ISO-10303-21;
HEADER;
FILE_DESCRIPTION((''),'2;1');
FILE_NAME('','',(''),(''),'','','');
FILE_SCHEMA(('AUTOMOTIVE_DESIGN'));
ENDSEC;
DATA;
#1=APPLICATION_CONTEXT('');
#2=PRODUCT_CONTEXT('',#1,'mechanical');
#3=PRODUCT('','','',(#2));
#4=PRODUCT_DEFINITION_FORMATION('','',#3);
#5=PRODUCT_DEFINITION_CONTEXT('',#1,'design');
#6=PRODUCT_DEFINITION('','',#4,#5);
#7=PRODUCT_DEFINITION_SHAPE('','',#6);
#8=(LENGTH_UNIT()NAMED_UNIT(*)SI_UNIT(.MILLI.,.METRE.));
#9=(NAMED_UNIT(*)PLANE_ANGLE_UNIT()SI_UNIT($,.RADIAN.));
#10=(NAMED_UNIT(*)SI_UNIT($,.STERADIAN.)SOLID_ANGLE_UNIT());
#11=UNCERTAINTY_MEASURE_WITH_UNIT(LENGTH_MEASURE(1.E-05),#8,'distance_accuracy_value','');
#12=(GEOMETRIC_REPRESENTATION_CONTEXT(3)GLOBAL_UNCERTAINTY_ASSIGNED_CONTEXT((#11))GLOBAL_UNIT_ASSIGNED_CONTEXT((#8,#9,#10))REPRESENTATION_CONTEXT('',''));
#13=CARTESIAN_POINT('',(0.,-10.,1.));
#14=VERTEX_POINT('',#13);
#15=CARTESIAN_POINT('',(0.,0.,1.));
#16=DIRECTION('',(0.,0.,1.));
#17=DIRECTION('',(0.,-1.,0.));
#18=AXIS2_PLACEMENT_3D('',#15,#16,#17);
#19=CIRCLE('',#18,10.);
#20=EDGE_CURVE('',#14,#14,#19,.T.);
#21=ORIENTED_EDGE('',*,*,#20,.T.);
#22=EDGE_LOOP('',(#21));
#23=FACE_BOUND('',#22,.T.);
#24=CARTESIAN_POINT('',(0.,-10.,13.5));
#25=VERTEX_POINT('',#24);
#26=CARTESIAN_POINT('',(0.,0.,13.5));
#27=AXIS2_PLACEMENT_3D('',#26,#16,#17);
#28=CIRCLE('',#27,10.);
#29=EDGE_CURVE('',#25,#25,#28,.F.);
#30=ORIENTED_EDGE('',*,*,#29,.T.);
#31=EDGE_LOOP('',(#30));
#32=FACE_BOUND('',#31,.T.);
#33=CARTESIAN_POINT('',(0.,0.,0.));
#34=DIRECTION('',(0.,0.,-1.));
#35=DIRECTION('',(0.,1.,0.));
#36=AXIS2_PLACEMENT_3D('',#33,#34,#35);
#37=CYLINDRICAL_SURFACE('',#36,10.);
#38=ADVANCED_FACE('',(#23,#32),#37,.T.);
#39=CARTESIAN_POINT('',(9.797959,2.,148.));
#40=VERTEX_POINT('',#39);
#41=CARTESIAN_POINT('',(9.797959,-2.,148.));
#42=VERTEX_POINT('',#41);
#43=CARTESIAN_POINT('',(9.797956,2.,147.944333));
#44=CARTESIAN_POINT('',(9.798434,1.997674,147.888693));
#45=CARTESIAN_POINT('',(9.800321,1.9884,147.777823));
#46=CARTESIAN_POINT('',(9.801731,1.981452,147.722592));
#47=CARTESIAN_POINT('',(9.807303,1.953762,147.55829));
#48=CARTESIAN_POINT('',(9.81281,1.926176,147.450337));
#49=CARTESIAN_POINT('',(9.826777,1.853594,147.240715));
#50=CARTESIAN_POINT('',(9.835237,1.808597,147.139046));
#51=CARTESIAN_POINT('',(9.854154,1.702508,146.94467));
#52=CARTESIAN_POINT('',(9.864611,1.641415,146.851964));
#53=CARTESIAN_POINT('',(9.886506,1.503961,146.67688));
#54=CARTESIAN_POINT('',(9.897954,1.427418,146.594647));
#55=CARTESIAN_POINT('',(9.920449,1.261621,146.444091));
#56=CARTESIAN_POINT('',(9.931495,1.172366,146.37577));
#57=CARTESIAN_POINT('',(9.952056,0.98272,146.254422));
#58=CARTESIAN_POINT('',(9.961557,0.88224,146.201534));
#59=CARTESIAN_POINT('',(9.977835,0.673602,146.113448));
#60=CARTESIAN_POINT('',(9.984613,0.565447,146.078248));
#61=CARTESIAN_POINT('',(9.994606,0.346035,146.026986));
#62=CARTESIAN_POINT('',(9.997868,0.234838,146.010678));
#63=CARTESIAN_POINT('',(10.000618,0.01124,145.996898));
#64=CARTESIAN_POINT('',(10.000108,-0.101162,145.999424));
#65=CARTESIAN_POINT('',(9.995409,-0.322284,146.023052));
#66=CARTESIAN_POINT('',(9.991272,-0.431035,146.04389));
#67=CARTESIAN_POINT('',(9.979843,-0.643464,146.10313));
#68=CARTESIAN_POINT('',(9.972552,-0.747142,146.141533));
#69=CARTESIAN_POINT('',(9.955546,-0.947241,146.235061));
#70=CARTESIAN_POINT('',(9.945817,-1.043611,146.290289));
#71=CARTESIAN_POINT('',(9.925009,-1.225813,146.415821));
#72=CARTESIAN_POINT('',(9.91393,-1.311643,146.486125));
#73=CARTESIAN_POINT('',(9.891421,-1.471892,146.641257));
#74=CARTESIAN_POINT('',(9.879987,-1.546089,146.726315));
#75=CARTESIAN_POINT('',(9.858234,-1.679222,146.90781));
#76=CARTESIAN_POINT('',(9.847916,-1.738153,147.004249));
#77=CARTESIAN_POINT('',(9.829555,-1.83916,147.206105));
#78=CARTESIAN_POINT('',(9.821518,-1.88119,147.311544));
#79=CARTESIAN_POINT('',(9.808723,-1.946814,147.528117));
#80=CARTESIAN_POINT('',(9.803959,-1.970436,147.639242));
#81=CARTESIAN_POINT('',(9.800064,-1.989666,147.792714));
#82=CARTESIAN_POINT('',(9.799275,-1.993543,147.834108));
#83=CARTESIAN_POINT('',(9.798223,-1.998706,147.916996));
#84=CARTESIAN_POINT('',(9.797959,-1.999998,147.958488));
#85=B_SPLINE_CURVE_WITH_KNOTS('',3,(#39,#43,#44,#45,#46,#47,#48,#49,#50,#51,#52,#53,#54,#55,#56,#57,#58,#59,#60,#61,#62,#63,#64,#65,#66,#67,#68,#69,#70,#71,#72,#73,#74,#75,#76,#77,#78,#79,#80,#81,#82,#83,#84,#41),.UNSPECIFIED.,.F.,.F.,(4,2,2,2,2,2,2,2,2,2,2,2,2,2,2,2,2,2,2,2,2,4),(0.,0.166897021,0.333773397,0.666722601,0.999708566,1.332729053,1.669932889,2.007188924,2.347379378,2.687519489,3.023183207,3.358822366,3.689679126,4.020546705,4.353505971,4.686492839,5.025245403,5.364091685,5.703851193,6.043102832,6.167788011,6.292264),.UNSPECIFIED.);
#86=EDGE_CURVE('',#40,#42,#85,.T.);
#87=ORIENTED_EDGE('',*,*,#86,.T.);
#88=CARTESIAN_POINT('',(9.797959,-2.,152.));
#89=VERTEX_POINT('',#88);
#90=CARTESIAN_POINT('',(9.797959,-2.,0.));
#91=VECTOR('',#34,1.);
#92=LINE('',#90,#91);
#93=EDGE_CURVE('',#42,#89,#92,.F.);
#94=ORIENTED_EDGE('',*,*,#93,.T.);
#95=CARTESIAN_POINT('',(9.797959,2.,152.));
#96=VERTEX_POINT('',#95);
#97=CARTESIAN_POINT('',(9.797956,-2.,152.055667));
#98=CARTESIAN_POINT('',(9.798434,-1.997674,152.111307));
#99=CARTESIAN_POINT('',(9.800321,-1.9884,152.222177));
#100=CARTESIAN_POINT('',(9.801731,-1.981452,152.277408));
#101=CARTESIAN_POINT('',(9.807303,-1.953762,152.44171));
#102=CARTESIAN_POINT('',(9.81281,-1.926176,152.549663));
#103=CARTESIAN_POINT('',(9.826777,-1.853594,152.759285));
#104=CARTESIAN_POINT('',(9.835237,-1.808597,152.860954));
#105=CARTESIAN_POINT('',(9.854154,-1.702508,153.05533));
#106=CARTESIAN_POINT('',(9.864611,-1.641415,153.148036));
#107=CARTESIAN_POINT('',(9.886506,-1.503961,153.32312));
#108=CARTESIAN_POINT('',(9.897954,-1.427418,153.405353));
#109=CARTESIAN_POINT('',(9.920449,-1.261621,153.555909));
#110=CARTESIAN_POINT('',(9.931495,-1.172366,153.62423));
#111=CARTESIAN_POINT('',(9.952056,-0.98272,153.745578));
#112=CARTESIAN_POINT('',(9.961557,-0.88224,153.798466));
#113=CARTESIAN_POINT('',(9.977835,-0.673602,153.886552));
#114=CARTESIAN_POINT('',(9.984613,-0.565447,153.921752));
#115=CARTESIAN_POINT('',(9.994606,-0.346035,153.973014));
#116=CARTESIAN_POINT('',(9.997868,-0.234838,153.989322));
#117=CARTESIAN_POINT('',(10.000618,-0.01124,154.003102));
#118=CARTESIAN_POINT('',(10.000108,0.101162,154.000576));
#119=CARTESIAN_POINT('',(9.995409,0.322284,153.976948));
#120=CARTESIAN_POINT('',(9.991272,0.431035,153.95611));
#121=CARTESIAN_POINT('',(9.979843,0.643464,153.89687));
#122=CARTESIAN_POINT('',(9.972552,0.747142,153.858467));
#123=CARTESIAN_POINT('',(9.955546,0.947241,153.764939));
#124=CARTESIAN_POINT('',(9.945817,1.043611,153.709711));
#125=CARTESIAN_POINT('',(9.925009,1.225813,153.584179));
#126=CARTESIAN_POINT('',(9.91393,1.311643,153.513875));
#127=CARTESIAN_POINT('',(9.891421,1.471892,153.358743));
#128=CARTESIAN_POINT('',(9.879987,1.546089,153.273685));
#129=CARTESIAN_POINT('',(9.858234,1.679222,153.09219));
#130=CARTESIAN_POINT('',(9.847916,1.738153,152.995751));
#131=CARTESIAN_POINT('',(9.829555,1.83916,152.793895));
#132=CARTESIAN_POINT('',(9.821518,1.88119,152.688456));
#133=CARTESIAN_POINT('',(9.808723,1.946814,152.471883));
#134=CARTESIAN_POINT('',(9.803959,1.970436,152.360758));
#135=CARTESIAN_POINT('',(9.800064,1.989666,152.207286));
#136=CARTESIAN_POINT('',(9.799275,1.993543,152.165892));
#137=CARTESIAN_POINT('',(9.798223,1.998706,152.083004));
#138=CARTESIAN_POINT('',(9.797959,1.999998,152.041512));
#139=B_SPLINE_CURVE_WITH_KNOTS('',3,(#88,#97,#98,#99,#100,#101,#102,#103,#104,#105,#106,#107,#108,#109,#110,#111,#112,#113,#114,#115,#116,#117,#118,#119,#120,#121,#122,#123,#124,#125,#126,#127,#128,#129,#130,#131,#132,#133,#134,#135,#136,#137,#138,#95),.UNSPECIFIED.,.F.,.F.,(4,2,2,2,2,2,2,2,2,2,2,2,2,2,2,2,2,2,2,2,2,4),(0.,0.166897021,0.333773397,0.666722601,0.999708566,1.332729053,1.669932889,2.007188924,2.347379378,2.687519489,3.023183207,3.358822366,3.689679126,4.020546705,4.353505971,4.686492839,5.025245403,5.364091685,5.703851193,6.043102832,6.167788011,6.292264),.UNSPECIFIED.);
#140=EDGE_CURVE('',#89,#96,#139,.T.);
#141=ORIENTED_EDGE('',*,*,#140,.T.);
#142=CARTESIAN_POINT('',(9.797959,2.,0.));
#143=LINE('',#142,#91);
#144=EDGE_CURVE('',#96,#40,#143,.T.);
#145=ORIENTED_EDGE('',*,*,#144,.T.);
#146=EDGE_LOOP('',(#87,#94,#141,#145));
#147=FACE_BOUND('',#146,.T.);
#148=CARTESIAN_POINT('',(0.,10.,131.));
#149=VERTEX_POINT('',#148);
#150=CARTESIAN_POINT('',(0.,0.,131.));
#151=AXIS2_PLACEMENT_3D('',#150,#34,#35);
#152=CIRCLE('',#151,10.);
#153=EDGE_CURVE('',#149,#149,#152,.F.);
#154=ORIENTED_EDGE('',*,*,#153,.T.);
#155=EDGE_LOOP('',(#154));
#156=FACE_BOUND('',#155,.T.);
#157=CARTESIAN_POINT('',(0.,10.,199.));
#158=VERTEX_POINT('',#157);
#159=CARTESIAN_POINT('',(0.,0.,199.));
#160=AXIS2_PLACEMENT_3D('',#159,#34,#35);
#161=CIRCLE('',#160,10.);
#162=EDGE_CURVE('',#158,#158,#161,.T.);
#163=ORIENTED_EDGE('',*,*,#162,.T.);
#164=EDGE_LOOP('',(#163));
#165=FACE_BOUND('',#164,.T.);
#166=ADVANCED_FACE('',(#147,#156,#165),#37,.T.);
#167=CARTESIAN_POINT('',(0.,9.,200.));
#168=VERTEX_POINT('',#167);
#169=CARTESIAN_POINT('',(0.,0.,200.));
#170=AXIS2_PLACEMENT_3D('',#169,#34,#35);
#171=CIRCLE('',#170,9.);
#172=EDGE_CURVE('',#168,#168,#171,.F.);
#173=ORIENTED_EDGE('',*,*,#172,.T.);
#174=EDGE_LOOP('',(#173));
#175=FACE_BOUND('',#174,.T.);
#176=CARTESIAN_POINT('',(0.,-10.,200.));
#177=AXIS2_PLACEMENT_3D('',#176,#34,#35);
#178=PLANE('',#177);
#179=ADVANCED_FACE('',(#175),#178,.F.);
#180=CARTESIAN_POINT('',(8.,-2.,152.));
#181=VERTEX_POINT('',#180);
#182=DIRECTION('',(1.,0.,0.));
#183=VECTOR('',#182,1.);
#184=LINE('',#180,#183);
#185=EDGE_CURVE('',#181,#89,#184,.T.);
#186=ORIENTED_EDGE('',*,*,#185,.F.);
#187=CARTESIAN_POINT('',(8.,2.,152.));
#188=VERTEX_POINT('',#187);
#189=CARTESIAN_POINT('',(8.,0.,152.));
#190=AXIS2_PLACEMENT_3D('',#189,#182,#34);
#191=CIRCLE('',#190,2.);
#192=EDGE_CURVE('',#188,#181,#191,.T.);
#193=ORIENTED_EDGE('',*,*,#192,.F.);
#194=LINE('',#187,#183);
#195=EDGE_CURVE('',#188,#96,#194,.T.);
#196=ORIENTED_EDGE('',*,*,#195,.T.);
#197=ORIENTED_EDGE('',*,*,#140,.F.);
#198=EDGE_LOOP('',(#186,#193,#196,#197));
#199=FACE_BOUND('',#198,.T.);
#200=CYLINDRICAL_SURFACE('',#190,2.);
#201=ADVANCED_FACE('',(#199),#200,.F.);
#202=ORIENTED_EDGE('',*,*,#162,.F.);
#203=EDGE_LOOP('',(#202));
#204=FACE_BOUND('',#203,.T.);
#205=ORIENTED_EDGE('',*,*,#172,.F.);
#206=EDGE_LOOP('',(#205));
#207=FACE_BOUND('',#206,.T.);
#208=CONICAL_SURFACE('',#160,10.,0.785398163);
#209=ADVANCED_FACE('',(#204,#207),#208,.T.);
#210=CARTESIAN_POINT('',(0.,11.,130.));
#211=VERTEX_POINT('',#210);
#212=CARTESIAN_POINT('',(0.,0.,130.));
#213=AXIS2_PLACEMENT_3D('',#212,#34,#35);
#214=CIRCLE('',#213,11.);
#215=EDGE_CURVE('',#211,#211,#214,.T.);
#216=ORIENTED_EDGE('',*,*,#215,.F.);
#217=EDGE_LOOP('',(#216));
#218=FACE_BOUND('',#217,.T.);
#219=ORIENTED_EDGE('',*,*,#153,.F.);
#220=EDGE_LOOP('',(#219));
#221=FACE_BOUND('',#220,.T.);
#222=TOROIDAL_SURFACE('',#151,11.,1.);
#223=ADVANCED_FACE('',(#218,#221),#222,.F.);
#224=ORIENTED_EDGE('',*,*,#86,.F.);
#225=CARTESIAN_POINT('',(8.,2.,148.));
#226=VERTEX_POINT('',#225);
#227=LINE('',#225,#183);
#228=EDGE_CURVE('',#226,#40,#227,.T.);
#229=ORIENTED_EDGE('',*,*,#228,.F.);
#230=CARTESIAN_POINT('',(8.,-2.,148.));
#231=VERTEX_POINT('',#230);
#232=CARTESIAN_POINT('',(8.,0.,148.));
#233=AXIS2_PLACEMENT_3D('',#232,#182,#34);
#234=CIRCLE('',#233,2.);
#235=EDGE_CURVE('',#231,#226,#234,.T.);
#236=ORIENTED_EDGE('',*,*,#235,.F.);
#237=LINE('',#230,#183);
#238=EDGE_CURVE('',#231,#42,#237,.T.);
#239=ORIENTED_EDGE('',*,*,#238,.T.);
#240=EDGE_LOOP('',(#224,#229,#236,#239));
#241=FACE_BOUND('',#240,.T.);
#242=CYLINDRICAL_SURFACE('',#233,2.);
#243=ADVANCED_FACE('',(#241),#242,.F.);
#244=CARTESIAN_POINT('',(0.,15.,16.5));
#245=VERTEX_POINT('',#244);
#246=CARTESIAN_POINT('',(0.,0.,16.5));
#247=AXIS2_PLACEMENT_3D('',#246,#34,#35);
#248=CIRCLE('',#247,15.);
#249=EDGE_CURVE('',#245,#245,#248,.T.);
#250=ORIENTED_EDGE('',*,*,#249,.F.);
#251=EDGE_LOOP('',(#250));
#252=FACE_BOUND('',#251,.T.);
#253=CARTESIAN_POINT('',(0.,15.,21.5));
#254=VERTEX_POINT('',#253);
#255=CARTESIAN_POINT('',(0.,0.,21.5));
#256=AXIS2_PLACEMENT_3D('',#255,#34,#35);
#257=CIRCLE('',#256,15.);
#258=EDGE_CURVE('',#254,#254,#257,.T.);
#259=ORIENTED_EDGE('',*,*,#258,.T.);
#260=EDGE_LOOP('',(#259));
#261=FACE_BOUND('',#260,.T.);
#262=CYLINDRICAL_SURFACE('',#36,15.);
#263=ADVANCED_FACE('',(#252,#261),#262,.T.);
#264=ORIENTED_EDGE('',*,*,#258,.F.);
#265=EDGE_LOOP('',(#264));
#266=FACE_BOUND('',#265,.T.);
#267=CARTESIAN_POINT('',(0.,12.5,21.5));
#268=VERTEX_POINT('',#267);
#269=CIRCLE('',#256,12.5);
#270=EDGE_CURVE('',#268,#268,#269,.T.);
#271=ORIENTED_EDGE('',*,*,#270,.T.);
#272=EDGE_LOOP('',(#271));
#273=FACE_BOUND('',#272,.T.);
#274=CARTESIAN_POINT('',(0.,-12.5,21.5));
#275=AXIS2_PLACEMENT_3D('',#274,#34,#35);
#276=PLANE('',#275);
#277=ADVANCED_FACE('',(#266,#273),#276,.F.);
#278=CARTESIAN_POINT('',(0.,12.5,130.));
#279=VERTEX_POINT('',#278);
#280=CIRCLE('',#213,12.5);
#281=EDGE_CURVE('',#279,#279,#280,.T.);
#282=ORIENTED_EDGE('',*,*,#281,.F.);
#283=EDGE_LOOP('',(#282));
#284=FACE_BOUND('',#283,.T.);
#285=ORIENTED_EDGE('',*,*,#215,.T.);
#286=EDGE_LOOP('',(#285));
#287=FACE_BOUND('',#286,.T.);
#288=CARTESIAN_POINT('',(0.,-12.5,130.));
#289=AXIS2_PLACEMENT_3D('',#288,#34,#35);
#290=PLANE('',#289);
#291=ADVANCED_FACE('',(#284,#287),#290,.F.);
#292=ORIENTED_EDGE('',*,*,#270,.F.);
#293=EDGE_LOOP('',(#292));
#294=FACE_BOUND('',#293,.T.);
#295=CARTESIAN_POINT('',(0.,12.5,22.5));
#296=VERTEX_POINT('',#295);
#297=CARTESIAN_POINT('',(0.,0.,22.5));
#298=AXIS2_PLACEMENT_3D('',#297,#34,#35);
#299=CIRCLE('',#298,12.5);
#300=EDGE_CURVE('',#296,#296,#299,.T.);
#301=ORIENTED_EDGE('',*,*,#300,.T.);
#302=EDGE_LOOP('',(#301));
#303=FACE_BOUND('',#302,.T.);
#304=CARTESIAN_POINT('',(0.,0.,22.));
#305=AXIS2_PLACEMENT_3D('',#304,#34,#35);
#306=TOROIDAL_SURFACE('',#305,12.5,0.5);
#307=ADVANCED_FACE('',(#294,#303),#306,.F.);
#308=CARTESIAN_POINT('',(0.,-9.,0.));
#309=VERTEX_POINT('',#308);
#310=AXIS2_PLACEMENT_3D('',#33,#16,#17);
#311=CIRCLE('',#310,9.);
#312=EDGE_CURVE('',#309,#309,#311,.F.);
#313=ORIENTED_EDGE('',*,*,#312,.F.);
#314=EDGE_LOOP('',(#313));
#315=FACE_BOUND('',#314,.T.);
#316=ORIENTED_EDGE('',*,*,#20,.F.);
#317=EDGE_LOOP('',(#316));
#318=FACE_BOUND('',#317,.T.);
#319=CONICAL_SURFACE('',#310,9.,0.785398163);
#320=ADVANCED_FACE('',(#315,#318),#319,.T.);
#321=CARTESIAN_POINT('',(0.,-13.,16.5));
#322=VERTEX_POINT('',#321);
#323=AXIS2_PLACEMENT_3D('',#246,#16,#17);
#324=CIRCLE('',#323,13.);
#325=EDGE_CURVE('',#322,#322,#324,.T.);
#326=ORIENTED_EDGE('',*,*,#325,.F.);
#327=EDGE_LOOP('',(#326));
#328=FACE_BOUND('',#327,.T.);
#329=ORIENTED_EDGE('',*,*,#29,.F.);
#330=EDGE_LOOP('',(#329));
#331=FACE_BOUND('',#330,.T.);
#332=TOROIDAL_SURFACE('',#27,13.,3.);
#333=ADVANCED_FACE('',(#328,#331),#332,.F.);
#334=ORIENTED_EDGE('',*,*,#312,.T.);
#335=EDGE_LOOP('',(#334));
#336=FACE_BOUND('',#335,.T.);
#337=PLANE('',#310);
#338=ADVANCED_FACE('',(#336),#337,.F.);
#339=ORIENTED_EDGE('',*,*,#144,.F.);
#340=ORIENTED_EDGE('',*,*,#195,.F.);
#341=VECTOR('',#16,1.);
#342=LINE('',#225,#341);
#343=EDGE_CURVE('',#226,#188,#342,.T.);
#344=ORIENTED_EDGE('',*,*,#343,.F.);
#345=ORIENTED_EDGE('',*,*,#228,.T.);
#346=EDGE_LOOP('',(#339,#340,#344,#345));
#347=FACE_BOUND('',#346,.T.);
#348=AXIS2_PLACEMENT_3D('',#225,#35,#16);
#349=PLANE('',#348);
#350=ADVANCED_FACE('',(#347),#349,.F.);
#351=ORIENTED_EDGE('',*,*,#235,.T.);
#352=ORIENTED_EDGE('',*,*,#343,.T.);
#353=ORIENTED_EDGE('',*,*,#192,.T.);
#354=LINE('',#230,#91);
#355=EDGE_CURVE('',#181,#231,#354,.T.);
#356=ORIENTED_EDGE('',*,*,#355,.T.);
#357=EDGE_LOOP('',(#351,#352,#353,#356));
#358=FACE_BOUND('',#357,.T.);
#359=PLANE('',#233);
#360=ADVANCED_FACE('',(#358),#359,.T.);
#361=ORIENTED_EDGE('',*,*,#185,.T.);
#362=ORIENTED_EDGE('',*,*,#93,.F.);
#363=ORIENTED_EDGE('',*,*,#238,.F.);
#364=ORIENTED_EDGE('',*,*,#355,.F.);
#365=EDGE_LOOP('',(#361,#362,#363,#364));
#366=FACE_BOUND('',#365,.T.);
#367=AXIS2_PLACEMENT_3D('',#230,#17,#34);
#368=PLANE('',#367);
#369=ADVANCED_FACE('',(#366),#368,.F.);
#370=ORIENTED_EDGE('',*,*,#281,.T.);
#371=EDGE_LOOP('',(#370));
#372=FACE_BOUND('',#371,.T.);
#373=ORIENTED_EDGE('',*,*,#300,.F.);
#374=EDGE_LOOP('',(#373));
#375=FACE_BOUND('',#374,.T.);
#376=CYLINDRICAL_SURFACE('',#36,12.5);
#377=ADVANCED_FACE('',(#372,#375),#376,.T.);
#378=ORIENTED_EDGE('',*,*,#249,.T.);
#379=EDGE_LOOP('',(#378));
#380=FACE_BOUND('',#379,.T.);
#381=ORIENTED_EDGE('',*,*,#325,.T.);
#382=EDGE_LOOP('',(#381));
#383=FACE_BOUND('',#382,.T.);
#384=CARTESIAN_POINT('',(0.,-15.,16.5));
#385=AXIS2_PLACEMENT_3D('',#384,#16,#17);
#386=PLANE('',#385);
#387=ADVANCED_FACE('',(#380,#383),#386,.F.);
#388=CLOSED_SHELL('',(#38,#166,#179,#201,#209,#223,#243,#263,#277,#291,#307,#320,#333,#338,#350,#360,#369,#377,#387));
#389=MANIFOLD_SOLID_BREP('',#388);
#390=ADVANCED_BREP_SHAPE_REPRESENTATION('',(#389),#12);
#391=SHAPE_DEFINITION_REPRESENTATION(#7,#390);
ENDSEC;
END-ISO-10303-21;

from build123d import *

# Parameters (mm, degrees)
FILLET1_R          = 1
FILLET2_R          = 3
CHAMFER1_SIZE      = 1
CUT_EXTRUDE2_START = 10
CUT_EXTRUDE2_DEPTH = 2
CHAMFER2_SIZE      = 1


with BuildPart() as part:
    # Sketch1 → Revolve1 (revolve)
    with BuildSketch(Plane(origin=(0, 0, 0), x_dir=(0, 0, -1), z_dir=(1, 0, 0))):
        with BuildLine():
            Line((0, 0), (0, -10))
            Line((0, -10), (-16.5, -10))
            Line((-16.5, -10), (-16.5, -15))
            Line((-16.5, -15), (-21.5, -15))
            Line((-21.5, -15), (-21.5, -12.5))
            ThreePointArc((-21.5, -12.5), (-22, -12), (-22.5, -12.5))
            Line((-22.5, -12.5), (-130, -12.5))
            Line((-130, -12.5), (-130, -10))
            Line((-130, -10), (-200, -10))
            Line((-200, -10), (-200, 0))
            Line((-200, 0), (0, 0))
        make_face()
    revolve(axis=Axis((0, 0, 0), (0, 0, 1)))

    # Fillet1
    fillet1_edges = [part.edges().sort_by_distance(p)[0] for p in [
        (0, 10, 130),
    ]]
    fillet(fillet1_edges, radius=FILLET1_R)

    # Fillet2
    fillet2_edges = [part.edges().sort_by_distance(p)[0] for p in [
        (0, 10, 16.5),
    ]]
    fillet(fillet2_edges, radius=FILLET2_R)

    # Chamfer1
    chamfer1_edges = [part.edges().sort_by_distance(p)[0] for p in [
        (0, 10, 200),
    ]]
    chamfer(chamfer1_edges, length=CHAMFER1_SIZE)

    # Sketch2 → Cut-Extrude2 (cut)
    with BuildSketch(Plane(origin=(0, 0, 0), x_dir=(0, 0, -1), z_dir=(1, 0, 0)).offset(CUT_EXTRUDE2_START)):
        with BuildLine():
            Line((-148, -2), (-152, -2))
            ThreePointArc((-152, -2), (-154, 0), (-152, 2))
            Line((-152, 2), (-148, 2))
            ThreePointArc((-148, 2), (-146, 0), (-148, -2))
        make_face()
    extrude(amount=-CUT_EXTRUDE2_DEPTH, mode=Mode.SUBTRACT)

    # Chamfer2
    chamfer2_edges = [part.edges().sort_by_distance(p)[0] for p in [
        (0, 10, 0),
    ]]
    chamfer(chamfer2_edges, length=CHAMFER2_SIZE)


solid = part.part
